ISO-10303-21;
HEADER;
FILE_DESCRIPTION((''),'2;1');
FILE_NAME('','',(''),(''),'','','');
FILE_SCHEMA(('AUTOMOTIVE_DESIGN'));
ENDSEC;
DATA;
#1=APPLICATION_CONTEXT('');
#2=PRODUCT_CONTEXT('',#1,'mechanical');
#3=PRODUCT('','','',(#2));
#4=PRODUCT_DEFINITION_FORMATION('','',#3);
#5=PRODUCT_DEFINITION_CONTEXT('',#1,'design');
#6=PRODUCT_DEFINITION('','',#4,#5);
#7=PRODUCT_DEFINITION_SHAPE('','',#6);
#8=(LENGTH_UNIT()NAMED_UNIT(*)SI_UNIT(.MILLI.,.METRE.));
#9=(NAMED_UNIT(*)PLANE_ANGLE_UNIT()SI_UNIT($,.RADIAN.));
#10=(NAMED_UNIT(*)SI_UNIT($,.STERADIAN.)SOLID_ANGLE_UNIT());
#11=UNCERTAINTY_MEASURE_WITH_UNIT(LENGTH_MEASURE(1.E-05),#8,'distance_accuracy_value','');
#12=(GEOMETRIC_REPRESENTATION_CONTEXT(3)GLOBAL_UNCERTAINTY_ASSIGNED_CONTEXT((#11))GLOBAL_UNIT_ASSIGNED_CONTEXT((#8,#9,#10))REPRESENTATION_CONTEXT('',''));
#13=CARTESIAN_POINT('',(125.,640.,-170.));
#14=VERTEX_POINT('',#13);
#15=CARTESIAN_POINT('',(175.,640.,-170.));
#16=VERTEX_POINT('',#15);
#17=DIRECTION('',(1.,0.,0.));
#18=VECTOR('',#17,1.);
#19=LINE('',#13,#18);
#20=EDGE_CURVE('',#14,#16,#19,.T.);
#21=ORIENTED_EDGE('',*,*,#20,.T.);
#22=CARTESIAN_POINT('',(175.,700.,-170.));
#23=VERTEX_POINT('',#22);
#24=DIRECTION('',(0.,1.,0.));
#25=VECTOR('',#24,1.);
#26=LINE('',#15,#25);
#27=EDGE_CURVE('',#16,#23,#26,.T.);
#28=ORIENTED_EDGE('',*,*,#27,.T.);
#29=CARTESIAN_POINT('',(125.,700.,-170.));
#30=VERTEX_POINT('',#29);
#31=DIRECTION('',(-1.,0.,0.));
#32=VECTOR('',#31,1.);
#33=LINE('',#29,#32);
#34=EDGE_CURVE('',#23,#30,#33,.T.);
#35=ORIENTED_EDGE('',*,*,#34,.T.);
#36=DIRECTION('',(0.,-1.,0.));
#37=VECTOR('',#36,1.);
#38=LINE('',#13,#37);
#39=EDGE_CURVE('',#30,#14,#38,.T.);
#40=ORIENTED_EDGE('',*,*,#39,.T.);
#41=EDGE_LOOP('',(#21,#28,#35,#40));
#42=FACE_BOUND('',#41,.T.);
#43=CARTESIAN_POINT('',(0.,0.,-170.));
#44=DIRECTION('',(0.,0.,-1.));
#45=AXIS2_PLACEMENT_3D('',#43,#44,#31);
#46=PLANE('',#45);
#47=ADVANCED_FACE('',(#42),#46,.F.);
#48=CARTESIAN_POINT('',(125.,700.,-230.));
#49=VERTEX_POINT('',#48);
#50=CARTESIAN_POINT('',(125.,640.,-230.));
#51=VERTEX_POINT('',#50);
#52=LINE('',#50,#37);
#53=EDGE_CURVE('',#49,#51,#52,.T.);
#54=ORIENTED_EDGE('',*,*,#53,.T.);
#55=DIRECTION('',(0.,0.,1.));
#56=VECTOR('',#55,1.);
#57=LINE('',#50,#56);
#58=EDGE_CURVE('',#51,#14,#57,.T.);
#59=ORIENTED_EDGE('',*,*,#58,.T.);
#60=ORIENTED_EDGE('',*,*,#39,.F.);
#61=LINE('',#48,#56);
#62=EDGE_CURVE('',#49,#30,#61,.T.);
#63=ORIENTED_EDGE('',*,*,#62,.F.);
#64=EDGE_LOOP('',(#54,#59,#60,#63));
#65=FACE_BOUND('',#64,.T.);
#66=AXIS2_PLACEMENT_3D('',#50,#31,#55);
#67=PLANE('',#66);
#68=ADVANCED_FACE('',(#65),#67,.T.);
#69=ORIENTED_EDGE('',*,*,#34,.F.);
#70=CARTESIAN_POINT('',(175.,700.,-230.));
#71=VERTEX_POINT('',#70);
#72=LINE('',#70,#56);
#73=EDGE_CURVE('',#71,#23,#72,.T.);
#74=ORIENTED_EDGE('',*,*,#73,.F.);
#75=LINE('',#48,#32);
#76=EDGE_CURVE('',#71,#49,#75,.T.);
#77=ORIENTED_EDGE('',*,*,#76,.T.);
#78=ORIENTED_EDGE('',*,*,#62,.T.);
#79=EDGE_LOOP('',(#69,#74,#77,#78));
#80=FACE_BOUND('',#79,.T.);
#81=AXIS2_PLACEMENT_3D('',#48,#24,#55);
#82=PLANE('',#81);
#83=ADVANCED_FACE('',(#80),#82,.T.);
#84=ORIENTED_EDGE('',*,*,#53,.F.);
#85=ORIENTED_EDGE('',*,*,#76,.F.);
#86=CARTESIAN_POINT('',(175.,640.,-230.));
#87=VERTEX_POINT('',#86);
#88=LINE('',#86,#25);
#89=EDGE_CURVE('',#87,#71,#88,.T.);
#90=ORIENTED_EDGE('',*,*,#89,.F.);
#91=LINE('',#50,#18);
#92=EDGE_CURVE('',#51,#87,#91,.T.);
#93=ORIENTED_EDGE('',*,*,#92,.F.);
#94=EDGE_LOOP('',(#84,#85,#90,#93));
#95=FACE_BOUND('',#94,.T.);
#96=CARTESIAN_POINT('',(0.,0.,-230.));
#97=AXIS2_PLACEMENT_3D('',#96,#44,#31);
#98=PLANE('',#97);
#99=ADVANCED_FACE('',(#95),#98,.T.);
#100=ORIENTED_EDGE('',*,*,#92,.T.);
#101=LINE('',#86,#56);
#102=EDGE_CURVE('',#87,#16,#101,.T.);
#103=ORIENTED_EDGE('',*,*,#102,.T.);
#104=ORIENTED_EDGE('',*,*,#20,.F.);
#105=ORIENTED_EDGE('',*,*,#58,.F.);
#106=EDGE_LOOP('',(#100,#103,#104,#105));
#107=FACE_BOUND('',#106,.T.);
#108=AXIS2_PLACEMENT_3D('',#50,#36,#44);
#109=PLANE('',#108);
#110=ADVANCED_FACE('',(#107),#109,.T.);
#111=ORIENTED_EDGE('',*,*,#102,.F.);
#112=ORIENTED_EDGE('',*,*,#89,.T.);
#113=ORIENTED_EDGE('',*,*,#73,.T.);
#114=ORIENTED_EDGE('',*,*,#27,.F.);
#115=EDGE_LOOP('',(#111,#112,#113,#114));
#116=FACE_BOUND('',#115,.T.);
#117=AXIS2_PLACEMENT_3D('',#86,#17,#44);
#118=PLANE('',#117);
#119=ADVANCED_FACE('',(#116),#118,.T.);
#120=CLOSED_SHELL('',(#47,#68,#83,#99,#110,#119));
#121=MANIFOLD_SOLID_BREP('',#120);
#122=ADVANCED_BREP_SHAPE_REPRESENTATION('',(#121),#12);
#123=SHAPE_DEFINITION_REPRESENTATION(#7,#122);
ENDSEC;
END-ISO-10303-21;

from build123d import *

# Parameters (mm, degrees)
PACK_FLAP_SERVO_25KGCM_1_1_START = -170
SKETCH1_W                        = 50
SKETCH1_H                        = 60
PACK_FLAP_SERVO_25KGCM_1_1_DEPTH = 60


with BuildPart() as part:
    # Sketch1 → PACK_flap_servo_25kgcm_1_1 (new body)
    with BuildSketch(Plane.XY.offset(PACK_FLAP_SERVO_25KGCM_1_1_START)):
        with Locations((150, 670)):
            Rectangle(SKETCH1_W, SKETCH1_H)
    extrude(amount=-PACK_FLAP_SERVO_25KGCM_1_1_DEPTH)


solid = part.part
